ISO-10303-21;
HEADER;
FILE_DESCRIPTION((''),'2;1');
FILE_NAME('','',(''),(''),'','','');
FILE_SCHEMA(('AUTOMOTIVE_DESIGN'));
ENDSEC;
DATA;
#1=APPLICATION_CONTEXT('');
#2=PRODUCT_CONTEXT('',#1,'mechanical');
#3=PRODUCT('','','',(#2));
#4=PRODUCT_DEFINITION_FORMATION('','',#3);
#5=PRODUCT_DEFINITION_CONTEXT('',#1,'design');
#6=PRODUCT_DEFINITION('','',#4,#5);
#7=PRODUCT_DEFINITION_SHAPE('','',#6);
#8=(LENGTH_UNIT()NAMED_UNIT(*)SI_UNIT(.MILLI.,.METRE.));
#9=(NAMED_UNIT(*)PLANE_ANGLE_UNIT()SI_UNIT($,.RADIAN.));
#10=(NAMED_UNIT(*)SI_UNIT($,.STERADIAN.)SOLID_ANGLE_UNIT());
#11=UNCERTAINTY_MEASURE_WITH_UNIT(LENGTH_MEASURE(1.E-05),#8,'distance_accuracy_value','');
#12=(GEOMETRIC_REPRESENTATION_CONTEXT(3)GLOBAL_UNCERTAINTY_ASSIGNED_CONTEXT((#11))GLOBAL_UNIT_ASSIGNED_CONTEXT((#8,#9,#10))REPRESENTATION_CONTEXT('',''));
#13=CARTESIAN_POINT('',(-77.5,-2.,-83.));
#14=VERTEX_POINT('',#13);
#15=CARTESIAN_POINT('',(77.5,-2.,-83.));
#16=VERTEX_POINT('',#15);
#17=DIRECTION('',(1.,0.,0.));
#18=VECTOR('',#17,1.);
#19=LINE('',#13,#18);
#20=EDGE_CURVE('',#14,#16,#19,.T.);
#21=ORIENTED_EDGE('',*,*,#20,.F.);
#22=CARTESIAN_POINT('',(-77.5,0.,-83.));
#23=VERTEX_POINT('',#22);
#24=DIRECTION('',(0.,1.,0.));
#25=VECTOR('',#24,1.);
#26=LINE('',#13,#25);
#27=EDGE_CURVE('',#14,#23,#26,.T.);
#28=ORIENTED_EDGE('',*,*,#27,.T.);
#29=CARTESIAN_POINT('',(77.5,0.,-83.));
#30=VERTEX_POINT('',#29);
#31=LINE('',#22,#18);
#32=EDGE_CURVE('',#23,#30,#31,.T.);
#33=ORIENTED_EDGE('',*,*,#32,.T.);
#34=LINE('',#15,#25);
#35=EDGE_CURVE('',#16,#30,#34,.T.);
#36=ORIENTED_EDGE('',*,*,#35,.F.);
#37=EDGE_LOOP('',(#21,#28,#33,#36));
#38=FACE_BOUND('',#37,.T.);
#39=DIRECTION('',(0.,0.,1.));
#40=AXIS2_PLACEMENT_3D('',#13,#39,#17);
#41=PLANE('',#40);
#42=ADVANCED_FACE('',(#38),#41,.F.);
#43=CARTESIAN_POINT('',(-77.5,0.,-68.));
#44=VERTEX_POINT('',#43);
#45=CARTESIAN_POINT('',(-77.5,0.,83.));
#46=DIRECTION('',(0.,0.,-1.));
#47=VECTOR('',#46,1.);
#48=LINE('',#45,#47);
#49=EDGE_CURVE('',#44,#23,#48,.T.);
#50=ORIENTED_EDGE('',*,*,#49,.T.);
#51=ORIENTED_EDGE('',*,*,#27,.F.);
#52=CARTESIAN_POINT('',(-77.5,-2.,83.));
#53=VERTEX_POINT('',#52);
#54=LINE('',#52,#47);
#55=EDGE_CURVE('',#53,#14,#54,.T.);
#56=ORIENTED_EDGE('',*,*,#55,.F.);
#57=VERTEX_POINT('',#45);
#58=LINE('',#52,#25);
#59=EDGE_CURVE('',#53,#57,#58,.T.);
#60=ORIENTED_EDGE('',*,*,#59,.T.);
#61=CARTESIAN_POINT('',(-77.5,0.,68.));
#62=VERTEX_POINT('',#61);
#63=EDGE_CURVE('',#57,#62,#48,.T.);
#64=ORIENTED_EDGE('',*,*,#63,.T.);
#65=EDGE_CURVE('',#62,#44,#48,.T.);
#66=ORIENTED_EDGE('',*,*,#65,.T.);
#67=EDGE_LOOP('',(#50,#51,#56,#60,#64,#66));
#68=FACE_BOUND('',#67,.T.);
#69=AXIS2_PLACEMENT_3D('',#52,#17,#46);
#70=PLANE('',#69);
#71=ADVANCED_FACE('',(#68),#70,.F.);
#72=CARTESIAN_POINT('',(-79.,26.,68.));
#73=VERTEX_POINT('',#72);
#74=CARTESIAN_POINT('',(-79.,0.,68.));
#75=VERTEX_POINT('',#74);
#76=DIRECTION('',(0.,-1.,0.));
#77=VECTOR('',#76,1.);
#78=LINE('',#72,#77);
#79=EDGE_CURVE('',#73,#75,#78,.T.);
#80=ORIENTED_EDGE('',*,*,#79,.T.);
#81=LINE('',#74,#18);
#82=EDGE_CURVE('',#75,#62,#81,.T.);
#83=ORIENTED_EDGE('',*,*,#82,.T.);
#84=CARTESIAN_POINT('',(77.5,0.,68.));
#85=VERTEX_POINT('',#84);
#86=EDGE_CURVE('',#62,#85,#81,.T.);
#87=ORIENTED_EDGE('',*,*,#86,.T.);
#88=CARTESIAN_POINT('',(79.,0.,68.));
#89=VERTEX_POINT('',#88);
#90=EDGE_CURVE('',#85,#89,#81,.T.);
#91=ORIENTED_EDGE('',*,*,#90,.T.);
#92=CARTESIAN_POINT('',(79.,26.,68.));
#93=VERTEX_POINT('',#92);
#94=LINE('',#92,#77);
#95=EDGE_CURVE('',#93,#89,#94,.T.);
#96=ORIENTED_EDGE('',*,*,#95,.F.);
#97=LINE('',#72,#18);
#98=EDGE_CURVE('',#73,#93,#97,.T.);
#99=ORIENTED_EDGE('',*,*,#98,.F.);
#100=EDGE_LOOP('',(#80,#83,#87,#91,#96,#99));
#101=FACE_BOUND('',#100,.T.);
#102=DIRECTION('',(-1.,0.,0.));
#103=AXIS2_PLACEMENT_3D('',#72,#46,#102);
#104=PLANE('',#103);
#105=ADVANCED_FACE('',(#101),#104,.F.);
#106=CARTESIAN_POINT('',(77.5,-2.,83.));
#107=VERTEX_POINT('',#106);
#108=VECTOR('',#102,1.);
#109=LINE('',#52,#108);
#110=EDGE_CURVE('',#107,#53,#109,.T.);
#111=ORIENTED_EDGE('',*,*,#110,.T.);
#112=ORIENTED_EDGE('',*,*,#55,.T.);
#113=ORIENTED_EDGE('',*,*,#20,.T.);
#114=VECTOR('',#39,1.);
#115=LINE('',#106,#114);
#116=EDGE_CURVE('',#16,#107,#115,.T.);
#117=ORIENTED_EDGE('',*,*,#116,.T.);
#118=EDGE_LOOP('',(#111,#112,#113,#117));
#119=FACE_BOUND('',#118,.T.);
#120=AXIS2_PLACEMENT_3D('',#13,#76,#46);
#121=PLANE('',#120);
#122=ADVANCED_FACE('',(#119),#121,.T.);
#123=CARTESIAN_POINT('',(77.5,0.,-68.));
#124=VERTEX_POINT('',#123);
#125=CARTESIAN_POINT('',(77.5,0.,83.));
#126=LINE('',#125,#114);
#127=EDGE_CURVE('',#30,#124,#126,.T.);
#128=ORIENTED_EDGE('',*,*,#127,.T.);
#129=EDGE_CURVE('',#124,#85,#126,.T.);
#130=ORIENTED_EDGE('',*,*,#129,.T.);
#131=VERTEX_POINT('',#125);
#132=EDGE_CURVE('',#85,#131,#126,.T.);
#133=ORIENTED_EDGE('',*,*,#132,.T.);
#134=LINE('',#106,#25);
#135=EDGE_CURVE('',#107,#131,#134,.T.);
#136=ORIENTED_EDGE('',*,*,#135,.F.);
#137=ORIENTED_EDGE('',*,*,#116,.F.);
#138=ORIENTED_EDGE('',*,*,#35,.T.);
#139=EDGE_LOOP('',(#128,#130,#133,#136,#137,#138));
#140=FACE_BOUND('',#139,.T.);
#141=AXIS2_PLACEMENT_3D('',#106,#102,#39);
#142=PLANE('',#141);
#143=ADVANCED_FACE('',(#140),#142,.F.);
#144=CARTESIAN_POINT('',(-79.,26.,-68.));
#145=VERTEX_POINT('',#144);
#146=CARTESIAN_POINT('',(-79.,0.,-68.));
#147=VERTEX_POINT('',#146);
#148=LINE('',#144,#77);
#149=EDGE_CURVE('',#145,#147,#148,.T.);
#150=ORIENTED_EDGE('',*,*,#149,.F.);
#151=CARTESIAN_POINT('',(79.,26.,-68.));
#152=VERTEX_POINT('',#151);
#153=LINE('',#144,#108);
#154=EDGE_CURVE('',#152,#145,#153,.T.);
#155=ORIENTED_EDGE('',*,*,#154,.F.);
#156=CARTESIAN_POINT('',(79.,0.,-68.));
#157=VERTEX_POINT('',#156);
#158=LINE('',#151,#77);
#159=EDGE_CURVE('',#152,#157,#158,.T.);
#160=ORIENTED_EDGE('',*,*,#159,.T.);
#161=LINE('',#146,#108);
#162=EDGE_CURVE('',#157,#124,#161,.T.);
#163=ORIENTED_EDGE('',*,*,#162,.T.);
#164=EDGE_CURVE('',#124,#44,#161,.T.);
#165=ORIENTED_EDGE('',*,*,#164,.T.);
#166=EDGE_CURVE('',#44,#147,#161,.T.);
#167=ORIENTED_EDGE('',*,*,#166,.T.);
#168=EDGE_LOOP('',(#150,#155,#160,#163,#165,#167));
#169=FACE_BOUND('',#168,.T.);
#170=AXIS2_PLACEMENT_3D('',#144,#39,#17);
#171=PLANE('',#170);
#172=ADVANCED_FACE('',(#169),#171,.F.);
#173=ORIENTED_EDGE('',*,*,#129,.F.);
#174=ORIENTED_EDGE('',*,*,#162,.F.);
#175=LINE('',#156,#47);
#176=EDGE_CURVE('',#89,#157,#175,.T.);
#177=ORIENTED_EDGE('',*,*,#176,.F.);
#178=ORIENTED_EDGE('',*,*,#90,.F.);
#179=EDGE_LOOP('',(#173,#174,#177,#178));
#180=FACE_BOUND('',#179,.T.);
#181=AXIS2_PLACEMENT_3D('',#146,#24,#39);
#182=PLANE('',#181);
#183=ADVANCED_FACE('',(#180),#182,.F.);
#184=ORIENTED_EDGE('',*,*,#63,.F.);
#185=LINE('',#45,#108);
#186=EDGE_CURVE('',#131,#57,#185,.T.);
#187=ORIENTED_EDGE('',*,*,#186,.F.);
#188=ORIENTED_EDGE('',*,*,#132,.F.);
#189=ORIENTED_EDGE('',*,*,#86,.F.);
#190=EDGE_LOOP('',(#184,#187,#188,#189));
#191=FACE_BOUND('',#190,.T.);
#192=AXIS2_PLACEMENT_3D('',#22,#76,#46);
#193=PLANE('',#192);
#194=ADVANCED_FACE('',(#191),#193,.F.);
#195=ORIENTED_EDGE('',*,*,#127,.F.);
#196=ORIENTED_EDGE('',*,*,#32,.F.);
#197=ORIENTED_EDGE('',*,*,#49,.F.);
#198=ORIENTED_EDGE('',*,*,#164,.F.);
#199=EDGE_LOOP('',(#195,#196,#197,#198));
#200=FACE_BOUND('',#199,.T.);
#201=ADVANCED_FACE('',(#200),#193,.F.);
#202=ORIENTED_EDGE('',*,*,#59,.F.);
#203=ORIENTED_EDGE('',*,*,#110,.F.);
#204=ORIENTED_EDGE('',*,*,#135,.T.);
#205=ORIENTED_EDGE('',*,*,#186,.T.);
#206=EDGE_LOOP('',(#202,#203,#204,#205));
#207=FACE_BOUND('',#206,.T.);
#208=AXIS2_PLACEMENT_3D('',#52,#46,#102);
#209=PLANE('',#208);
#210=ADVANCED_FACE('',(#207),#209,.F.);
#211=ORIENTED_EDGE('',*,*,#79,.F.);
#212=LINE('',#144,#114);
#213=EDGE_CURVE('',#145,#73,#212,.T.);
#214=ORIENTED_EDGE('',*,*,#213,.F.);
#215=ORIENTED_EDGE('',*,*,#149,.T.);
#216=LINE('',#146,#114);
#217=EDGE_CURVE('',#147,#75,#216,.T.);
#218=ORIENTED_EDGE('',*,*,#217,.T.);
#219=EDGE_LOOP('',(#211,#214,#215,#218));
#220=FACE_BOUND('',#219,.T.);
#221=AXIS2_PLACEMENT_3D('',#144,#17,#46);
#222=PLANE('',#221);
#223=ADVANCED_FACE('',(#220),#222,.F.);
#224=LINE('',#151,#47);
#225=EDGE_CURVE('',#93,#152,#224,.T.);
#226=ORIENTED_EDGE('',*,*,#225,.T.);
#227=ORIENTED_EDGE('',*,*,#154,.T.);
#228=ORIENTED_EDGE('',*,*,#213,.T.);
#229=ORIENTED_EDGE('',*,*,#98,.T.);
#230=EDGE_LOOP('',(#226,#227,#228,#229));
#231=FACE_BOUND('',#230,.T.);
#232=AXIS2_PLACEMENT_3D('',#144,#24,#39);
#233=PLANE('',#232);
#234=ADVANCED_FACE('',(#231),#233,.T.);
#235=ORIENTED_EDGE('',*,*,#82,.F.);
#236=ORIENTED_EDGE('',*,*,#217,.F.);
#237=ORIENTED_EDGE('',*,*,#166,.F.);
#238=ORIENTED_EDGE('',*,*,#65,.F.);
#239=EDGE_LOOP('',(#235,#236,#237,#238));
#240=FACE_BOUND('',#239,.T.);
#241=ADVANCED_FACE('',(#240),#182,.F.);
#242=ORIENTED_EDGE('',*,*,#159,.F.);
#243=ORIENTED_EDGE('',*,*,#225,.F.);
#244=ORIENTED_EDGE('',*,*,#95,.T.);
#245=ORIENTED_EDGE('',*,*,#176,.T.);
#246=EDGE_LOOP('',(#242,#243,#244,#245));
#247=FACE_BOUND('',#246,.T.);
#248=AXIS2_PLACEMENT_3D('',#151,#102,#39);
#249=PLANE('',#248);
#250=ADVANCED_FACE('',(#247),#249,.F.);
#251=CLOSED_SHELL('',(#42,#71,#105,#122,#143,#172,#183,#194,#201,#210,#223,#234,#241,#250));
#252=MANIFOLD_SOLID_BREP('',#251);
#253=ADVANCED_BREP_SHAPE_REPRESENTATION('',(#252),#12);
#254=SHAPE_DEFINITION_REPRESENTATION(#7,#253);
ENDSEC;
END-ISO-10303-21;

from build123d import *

# Parameters (mm, degrees)
SKETCH_1_W      = 158
SKETCH_1_H      = 136
EXTRUDE_1_DEPTH = 26
SKETCH_2_W      = 155
SKETCH_2_H      = 166
EXTRUDE_2_DEPTH = 2


with BuildPart() as part:
    # 草图1 → 拉伸1 (new body)
    with BuildSketch(Plane(origin=(0, 0, 0), x_dir=(1, 0, 0), z_dir=(0, 1, 0))):
        Rectangle(SKETCH_1_W, SKETCH_1_H)
    extrude(amount=EXTRUDE_1_DEPTH)

    # 草图2 → 拉伸2 (add)
    with BuildSketch(Plane.XZ):
        Rectangle(SKETCH_2_W, SKETCH_2_H)
    extrude(amount=EXTRUDE_2_DEPTH)


solid = part.part
